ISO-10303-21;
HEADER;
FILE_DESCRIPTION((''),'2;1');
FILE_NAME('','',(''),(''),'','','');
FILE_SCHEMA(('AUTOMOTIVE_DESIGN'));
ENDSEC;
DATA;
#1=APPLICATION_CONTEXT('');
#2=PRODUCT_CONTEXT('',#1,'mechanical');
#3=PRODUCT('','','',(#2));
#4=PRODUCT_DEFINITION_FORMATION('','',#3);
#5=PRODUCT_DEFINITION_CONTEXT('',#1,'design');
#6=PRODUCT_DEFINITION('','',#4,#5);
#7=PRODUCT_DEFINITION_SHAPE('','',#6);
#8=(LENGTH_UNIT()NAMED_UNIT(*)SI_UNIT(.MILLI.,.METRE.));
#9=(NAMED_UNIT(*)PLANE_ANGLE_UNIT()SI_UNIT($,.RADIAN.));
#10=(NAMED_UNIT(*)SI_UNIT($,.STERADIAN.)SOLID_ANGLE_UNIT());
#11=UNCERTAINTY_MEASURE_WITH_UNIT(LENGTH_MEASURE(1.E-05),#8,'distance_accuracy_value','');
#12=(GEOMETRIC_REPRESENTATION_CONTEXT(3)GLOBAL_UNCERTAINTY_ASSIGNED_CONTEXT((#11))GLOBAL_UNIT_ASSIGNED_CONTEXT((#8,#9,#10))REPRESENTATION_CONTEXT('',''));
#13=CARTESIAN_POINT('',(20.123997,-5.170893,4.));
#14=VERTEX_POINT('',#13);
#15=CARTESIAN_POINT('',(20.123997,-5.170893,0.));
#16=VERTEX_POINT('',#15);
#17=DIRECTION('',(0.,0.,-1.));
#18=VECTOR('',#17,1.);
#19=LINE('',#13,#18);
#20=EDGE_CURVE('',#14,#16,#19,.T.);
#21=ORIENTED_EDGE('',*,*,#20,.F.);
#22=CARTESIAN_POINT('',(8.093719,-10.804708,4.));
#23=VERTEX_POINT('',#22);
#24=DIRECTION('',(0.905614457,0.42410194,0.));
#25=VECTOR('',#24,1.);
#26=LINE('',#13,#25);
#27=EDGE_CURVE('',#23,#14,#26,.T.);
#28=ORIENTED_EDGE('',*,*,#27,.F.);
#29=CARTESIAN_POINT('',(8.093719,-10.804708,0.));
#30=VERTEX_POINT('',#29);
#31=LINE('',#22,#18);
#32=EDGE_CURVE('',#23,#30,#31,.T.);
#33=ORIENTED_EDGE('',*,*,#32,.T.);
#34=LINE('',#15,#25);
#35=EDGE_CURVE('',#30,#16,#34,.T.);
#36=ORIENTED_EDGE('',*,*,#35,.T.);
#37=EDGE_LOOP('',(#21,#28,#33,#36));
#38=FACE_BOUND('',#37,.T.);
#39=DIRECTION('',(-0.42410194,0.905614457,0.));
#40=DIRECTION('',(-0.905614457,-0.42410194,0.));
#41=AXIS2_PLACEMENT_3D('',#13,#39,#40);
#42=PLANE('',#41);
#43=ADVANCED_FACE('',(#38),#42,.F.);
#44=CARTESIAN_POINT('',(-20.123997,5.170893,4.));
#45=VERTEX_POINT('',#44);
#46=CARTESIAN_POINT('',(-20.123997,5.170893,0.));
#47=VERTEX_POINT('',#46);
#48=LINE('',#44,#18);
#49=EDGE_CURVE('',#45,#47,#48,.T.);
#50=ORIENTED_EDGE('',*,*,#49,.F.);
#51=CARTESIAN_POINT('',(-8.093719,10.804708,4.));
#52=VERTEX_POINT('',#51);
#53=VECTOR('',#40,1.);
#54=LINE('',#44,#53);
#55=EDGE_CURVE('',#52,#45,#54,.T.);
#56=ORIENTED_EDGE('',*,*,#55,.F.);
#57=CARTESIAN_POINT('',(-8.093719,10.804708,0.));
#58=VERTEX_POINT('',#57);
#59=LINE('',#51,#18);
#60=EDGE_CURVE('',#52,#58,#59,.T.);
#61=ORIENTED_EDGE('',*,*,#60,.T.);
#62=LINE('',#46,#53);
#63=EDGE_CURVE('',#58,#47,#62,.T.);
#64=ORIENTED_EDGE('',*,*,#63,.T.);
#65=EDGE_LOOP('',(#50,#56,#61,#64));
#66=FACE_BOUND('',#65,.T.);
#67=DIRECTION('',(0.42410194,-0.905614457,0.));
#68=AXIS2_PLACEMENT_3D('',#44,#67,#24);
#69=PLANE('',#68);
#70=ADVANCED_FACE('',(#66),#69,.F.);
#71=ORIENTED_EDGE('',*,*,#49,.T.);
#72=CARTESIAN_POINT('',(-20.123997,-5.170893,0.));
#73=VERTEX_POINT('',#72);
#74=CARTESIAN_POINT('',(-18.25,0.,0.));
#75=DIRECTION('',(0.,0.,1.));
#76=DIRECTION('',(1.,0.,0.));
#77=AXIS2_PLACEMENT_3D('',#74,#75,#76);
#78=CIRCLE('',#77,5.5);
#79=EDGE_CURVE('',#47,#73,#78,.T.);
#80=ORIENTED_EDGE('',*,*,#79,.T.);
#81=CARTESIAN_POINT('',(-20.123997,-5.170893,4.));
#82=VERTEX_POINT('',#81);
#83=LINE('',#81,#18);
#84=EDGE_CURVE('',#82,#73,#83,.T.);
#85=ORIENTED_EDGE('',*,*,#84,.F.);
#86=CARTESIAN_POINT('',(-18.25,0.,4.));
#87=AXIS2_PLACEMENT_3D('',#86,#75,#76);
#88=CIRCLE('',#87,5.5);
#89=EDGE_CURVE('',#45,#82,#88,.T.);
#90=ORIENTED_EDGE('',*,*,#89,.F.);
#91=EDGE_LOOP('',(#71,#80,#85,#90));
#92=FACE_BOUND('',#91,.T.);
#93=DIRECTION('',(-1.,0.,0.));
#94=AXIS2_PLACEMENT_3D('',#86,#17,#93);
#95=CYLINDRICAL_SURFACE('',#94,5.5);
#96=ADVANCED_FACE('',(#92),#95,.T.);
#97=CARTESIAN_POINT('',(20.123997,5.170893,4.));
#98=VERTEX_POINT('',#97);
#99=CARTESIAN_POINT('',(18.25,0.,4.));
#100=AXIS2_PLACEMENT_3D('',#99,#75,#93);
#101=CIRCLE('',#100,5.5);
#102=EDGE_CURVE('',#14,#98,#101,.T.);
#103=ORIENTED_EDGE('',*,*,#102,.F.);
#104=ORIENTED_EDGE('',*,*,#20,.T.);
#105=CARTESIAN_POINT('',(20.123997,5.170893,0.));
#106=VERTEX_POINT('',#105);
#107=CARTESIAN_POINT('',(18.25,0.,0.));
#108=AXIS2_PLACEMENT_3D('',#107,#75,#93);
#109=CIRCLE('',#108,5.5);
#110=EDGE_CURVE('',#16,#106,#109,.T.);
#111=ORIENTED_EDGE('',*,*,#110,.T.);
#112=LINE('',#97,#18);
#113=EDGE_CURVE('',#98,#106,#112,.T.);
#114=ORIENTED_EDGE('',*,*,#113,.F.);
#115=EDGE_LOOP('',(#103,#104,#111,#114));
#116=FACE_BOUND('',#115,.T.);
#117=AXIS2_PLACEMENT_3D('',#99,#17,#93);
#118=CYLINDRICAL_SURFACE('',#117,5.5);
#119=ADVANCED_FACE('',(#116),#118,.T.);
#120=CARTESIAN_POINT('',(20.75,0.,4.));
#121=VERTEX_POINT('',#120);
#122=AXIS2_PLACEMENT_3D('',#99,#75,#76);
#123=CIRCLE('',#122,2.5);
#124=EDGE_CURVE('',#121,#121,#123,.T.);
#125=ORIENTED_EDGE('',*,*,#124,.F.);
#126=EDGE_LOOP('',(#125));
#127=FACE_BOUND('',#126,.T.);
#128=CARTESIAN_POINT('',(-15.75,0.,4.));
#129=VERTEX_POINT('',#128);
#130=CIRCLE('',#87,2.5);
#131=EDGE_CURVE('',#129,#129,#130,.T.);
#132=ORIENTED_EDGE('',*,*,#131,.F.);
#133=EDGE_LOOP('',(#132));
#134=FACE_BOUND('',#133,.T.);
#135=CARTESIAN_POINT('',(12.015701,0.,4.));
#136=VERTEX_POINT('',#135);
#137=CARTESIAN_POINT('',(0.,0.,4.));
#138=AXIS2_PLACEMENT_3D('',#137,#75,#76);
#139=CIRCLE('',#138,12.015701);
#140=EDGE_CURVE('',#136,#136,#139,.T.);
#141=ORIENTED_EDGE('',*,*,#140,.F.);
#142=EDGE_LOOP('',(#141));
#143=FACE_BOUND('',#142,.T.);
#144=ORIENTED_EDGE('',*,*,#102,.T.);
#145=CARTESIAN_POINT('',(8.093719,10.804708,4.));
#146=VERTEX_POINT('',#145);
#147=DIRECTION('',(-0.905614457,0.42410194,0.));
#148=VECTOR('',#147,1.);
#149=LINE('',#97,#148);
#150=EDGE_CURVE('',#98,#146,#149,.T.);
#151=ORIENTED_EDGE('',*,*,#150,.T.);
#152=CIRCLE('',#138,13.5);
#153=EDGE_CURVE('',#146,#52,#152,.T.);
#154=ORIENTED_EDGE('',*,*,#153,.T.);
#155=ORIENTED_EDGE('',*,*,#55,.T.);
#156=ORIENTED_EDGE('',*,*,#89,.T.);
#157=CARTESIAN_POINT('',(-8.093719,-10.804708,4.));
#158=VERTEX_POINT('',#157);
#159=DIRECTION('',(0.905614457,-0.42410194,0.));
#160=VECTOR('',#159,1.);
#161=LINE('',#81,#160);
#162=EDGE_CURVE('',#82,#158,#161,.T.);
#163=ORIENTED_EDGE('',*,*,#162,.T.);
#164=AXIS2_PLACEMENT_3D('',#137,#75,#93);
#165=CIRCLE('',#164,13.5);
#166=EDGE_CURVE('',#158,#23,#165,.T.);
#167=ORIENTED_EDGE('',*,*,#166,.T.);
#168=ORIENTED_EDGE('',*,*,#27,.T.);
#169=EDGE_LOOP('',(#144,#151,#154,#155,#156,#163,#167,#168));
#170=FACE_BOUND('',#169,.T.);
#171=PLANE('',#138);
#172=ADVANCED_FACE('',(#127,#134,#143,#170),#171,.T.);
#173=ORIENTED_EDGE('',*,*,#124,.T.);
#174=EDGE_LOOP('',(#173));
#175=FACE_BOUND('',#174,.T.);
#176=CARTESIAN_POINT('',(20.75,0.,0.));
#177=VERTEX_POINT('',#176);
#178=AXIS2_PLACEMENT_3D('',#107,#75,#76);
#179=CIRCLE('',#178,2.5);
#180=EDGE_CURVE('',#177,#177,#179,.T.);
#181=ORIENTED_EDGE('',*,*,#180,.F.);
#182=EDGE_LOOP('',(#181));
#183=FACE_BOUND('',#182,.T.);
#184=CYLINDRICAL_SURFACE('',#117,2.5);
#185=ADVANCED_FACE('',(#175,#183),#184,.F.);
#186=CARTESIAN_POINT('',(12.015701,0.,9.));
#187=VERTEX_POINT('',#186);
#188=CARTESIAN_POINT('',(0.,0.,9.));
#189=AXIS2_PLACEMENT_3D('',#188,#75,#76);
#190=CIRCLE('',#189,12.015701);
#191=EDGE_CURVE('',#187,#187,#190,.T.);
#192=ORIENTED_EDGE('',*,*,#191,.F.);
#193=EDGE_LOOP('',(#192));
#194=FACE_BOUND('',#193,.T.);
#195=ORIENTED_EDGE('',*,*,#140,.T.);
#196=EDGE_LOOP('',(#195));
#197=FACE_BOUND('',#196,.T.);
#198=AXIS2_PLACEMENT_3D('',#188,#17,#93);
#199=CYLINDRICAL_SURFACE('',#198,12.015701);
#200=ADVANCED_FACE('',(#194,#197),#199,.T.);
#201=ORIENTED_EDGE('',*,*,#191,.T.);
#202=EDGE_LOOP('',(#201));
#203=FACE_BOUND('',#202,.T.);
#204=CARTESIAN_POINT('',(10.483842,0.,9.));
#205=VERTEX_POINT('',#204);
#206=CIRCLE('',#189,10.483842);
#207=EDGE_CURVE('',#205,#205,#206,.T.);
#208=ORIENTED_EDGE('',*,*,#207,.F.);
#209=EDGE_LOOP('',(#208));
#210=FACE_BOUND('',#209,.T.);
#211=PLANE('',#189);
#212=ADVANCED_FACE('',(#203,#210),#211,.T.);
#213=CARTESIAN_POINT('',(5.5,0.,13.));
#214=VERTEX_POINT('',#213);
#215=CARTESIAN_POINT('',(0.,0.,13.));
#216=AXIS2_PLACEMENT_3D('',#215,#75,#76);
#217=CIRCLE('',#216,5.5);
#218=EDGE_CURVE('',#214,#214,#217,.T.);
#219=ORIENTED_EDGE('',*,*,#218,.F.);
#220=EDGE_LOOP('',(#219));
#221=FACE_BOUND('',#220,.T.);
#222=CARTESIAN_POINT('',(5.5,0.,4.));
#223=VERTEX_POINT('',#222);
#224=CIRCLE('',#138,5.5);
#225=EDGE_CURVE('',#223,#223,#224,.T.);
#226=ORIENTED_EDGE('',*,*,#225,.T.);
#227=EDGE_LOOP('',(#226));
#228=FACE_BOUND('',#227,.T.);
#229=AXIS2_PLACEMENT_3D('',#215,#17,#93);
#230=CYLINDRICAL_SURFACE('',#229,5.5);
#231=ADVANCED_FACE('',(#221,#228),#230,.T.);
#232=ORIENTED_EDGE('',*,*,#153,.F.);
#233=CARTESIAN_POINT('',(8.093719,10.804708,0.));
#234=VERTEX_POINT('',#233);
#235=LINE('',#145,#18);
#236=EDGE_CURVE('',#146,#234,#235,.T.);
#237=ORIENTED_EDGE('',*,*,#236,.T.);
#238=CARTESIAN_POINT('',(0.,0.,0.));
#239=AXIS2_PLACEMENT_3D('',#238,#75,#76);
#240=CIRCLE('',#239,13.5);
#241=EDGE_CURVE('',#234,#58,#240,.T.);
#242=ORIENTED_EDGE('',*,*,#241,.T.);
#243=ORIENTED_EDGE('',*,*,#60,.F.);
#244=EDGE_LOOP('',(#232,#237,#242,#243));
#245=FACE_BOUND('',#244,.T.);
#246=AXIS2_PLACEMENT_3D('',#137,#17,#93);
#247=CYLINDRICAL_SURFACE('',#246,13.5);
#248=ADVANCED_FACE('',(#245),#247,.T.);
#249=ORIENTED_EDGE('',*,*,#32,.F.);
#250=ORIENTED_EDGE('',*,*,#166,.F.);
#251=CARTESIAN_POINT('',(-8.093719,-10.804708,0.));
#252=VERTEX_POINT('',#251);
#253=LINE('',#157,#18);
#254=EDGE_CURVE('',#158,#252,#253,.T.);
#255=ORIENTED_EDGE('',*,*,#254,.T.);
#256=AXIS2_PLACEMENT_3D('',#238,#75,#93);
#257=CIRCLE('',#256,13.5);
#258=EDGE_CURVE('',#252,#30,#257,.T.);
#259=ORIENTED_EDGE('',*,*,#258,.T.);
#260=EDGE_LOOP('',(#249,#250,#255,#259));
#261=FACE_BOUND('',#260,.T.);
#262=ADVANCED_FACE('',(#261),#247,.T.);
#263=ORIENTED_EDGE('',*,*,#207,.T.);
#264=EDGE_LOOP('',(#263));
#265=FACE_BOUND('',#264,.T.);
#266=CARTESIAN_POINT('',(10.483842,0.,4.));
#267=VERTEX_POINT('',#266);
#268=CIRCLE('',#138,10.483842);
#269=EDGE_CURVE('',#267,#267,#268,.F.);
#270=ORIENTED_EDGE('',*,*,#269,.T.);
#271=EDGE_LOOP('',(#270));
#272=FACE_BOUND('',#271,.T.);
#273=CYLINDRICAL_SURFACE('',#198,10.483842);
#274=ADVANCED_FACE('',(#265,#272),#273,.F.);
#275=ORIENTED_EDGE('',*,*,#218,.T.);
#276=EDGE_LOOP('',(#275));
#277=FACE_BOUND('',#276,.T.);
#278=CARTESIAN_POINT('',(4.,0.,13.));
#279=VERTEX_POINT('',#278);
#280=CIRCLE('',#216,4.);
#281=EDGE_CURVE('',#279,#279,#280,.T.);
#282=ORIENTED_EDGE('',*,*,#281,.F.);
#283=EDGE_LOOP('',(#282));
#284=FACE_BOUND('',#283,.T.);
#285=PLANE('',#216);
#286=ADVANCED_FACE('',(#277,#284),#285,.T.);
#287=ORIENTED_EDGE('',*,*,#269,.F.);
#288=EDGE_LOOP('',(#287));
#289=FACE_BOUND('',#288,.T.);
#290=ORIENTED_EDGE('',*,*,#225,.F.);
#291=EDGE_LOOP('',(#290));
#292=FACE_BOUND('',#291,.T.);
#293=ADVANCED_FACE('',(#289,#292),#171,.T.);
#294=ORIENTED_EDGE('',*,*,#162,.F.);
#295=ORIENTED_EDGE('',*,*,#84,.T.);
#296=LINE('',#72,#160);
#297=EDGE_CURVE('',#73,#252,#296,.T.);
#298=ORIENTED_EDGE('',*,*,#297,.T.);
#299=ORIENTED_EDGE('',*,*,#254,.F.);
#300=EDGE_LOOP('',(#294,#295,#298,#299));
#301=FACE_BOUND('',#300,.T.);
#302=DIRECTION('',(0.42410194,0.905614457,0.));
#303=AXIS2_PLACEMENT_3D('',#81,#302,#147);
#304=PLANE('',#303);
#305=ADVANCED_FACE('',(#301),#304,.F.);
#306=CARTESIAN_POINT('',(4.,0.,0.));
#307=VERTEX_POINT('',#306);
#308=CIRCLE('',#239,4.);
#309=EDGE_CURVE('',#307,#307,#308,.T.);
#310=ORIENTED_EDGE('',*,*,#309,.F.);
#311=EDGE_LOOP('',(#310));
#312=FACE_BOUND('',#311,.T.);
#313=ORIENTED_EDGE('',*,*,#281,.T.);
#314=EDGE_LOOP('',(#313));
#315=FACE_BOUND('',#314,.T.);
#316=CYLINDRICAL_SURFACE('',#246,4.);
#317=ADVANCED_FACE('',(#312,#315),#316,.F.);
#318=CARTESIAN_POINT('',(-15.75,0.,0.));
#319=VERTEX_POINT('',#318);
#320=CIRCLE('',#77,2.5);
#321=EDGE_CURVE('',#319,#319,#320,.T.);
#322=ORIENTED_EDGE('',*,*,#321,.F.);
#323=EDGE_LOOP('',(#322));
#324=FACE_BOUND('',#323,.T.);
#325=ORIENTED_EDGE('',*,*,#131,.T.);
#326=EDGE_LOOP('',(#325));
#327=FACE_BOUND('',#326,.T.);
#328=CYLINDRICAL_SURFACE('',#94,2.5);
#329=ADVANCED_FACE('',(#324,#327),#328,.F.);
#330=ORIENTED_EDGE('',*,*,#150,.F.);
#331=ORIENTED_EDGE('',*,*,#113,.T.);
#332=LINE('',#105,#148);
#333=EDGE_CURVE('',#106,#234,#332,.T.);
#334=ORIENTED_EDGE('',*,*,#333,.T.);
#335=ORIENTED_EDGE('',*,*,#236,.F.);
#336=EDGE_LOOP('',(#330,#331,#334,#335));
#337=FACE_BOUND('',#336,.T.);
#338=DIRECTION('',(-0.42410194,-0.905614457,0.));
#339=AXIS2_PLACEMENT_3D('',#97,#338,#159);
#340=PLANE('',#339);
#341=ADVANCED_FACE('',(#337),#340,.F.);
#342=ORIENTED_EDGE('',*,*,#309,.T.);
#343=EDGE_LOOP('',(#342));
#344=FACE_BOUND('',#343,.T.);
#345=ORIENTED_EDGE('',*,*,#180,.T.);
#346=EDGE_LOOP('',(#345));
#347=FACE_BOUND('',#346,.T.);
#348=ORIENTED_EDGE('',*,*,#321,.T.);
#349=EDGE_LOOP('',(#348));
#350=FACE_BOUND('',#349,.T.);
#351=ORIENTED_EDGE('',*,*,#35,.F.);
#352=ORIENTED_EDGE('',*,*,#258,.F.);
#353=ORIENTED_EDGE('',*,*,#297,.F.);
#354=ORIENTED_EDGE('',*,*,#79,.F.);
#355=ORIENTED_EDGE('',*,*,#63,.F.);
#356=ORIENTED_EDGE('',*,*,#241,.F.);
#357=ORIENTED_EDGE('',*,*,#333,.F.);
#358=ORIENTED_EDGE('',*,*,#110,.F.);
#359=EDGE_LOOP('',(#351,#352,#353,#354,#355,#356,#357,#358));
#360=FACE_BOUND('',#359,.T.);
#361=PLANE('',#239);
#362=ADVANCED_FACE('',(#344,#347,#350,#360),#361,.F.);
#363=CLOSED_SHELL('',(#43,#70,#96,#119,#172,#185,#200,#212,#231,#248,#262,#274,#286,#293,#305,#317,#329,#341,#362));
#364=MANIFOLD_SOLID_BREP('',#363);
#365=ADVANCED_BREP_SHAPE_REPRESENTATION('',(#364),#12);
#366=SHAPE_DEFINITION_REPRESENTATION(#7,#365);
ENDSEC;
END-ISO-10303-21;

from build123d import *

# Parameters (mm, degrees)
ESBO_O1_R                = 4
ESBO_O1_R_2              = 2.5
RESSALTO_EXTRUS_O1_DEPTH = 4
ESBO_O2_R                = 12.015701032
ESBO_O2_R_2              = 10.48384183
RESSALTO_EXTRUS_O2_DEPTH = 5
ESBO_O3_R                = 5.5
ESBO_O3_R_2              = 4
RESSALTO_EXTRUS_O3_DEPTH = 9


with BuildPart() as part:
    # Esboço1 → Ressalto-extrusão1 (new body)
    with BuildSketch(Plane.XY):
        with BuildLine():
            Line((-20.12399727, 5.170892982), (-8.093718556, 10.80470823))
            ThreePointArc((-8.093718556, 10.80470823), (0, 13.5), (8.093718556, 10.80470823))
            Line((8.093718556, 10.80470823), (20.12399727, 5.170892982))
            ThreePointArc((20.12399727, 5.170892982), (23.75, 0), (20.12399727, -5.170892982))
            Line((20.12399727, -5.170892982), (8.093718556, -10.80470823))
            ThreePointArc((8.093718556, -10.80470823), (0, -13.5), (-8.093718556, -10.80470823))
            Line((-8.093718556, -10.80470823), (-20.12399727, -5.170892982))
            ThreePointArc((-20.12399727, -5.170892982), (-23.75, 0), (-20.12399727, 5.170892982))
        make_face()
        Circle(ESBO_O1_R, mode=Mode.SUBTRACT)
        with Locations((-18.25, 0)):
            Circle(ESBO_O1_R_2, mode=Mode.SUBTRACT)
        with Locations((18.25, 0)):
            Circle(ESBO_O1_R_2, mode=Mode.SUBTRACT)
    extrude(amount=RESSALTO_EXTRUS_O1_DEPTH)

    # Esboço2 → Ressalto-extrusão2 (add)
    with BuildSketch(Plane.XY.offset(4)):
        Circle(ESBO_O2_R)
        Circle(ESBO_O2_R_2, mode=Mode.SUBTRACT)
    extrude(amount=RESSALTO_EXTRUS_O2_DEPTH)

    # Esboço3 → Ressalto-extrusão3 (add)
    with BuildSketch(Plane.XY.offset(4)):
        Circle(ESBO_O3_R)
        Circle(ESBO_O3_R_2, mode=Mode.SUBTRACT)
    extrude(amount=RESSALTO_EXTRUS_O3_DEPTH)


solid = part.part
